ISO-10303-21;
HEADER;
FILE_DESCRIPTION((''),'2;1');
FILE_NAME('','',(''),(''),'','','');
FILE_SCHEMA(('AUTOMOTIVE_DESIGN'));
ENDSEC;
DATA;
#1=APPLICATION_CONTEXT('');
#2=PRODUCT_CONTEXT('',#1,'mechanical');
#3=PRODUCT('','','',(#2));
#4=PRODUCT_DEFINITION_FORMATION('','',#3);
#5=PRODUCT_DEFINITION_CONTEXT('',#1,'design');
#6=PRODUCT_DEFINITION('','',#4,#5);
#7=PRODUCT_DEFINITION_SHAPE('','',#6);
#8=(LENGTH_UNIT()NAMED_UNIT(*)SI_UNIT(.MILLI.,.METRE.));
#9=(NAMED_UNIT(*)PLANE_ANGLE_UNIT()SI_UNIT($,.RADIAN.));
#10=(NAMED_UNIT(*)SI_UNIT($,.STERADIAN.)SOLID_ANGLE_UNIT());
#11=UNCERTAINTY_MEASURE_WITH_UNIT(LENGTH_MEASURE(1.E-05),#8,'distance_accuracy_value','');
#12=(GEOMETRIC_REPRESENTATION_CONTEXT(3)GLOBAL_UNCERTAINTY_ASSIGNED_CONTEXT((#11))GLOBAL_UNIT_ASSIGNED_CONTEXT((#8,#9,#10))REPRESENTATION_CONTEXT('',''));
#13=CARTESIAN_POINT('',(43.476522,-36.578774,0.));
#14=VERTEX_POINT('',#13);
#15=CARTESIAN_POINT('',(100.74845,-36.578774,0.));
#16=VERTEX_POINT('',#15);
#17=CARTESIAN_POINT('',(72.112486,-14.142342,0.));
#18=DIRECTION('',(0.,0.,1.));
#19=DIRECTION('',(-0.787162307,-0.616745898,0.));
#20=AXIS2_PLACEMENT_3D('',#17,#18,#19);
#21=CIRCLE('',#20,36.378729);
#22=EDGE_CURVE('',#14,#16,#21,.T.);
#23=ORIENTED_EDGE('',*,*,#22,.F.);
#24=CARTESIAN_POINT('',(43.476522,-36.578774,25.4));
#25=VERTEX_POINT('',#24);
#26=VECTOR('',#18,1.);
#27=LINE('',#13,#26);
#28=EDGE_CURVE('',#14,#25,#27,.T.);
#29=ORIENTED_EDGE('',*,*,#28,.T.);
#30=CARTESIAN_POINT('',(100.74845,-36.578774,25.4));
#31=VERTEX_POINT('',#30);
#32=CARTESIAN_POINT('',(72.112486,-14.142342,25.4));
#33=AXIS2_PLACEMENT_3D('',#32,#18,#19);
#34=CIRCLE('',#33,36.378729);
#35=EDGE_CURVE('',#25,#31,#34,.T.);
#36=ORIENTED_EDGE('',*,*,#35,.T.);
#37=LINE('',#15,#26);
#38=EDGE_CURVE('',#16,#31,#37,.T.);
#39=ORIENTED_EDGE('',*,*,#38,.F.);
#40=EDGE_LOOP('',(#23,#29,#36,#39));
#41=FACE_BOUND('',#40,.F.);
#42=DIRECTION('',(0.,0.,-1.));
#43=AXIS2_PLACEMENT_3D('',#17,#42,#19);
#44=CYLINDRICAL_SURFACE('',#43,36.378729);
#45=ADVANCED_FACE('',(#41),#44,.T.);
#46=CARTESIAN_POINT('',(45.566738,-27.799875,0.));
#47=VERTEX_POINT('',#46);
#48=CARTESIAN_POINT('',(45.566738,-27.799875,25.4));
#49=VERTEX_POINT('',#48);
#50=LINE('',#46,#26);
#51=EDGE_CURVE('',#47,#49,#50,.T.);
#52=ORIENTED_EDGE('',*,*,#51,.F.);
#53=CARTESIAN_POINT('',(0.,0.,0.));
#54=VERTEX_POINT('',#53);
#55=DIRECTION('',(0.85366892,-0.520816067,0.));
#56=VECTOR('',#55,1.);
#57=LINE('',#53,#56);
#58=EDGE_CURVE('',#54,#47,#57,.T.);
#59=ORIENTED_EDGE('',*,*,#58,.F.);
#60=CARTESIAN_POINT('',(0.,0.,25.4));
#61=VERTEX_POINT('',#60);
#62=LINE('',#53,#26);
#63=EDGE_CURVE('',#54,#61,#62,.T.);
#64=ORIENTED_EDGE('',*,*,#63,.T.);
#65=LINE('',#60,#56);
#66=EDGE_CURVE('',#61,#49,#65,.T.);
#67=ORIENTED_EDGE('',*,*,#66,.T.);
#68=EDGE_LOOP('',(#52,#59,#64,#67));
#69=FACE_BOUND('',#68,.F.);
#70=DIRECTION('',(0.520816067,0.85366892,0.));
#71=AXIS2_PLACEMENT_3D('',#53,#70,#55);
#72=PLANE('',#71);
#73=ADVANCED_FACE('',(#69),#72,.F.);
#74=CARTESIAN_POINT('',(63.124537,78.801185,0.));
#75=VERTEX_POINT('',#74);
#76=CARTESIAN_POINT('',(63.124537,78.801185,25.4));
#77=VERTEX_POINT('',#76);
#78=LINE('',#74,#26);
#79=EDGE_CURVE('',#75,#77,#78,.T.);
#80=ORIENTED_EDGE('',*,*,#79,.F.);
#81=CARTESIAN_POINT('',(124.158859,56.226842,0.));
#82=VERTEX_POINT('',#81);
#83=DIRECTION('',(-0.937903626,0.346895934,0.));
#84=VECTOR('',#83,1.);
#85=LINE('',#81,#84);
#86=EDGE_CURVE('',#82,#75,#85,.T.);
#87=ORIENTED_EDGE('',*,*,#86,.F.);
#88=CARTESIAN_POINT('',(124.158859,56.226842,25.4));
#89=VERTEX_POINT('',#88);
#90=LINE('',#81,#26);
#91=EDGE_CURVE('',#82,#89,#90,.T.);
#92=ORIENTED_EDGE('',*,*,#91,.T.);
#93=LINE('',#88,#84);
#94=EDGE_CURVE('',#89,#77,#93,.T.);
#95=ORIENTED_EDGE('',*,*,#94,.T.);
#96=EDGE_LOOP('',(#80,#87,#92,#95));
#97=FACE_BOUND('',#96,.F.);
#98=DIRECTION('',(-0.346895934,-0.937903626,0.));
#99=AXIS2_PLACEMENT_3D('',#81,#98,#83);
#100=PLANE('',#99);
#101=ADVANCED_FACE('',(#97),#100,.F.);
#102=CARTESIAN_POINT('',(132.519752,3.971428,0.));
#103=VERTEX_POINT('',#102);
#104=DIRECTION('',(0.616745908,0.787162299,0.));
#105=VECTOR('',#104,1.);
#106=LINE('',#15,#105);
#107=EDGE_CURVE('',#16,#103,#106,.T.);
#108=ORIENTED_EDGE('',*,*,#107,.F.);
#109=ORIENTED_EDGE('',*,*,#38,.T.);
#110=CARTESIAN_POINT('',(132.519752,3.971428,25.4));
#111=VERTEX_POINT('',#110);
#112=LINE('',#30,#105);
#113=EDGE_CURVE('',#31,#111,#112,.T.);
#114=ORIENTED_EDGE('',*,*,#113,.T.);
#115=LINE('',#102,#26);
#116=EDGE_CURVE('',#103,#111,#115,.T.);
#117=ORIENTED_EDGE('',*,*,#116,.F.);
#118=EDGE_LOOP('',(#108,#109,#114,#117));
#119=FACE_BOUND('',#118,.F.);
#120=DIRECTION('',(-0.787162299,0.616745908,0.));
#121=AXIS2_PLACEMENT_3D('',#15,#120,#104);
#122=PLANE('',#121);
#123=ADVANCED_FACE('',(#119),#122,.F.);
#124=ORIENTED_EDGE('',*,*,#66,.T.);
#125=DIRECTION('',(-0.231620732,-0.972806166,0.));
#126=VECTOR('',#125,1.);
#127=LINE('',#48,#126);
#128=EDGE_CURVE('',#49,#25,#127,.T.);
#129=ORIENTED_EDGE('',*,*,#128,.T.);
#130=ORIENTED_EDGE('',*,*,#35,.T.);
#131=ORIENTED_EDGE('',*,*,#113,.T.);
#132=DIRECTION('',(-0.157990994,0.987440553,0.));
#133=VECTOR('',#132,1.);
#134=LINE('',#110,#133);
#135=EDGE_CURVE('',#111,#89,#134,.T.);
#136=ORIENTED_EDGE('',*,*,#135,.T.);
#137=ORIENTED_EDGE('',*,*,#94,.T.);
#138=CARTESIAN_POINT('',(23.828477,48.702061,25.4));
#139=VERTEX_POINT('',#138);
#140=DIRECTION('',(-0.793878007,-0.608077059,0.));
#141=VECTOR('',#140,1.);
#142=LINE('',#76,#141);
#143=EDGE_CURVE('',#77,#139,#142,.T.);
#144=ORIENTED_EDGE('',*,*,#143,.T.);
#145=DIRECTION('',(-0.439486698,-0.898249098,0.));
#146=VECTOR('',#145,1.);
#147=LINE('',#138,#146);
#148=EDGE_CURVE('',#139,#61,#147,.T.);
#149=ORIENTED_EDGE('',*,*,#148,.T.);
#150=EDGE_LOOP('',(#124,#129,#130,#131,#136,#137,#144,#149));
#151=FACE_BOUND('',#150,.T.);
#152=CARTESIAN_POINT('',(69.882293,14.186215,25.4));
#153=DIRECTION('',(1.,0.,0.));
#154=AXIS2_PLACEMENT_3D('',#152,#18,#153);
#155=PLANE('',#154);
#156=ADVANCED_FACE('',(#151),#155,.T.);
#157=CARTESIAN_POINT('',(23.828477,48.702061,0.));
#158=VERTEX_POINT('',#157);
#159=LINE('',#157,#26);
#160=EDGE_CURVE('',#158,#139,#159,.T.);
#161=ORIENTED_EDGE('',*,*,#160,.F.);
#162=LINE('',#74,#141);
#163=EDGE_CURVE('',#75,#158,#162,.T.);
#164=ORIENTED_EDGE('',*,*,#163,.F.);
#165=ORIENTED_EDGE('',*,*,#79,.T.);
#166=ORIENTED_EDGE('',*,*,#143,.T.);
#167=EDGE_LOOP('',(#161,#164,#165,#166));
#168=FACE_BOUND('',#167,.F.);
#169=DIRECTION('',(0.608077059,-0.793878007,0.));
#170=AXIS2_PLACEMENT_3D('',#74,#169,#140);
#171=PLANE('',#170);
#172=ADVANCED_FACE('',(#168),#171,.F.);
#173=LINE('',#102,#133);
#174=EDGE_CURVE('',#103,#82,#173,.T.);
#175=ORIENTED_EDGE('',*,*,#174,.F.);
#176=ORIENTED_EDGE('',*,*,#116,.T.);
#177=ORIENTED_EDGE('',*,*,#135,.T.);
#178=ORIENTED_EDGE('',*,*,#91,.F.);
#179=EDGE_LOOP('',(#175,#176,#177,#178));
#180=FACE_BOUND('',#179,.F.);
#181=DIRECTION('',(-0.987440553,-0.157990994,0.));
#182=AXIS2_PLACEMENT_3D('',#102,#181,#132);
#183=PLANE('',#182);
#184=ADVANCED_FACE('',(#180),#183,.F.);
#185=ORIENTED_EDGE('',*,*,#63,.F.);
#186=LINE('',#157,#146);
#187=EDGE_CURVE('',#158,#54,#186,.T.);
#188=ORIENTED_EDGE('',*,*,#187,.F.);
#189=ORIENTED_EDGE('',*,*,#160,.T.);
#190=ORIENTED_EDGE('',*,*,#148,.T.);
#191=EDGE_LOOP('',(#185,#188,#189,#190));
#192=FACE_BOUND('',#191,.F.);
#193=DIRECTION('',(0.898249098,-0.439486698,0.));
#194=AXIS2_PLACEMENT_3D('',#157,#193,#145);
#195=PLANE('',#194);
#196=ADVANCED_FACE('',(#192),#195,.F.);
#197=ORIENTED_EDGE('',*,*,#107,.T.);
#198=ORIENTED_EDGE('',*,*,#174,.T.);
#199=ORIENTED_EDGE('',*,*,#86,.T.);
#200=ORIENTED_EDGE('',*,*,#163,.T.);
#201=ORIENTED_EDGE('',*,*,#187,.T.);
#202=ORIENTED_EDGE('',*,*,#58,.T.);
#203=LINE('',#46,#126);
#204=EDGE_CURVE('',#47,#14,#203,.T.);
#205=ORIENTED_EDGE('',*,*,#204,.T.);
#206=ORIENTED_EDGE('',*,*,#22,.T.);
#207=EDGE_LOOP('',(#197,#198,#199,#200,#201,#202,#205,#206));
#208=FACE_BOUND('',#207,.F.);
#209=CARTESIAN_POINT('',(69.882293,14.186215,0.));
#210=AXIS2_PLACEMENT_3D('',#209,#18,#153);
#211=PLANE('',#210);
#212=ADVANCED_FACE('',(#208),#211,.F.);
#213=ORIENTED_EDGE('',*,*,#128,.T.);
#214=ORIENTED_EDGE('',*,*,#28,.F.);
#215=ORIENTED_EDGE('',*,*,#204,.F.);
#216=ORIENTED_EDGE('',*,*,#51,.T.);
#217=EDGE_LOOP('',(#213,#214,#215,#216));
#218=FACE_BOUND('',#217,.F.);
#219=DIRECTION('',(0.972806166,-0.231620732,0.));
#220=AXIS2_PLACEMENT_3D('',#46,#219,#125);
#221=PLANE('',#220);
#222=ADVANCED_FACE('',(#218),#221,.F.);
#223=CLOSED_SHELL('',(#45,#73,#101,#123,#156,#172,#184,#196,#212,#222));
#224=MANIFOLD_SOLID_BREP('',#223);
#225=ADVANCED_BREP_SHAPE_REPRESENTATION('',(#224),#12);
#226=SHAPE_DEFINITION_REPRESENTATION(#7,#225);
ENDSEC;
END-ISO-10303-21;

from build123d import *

# Parameters (mm, degrees)
F2_DEPTH = 25.4


with BuildPart() as f2:
    # F1 (on Top) → F2 (new body)
    with BuildSketch(Plane.XY):
        with BuildLine():
            Line((23.828477, 48.702061), (0, 0))
            Line((0, 0), (45.566738, -27.799875))
            Line((45.566738, -27.799875), (43.476522, -36.578774))
            ThreePointArc((43.476522, -36.578774), (72.112486, -50.521071), (100.74845, -36.578774))
            Line((100.74845, -36.578774), (132.519752, 3.971428))
            Line((132.519752, 3.971428), (124.158859, 56.226842))
            Line((124.158859, 56.226842), (63.124537, 78.801185))
            Line((63.124537, 78.801185), (23.828477, 48.702061))
        make_face()
    extrude(amount=F2_DEPTH)


solid = f2.part
